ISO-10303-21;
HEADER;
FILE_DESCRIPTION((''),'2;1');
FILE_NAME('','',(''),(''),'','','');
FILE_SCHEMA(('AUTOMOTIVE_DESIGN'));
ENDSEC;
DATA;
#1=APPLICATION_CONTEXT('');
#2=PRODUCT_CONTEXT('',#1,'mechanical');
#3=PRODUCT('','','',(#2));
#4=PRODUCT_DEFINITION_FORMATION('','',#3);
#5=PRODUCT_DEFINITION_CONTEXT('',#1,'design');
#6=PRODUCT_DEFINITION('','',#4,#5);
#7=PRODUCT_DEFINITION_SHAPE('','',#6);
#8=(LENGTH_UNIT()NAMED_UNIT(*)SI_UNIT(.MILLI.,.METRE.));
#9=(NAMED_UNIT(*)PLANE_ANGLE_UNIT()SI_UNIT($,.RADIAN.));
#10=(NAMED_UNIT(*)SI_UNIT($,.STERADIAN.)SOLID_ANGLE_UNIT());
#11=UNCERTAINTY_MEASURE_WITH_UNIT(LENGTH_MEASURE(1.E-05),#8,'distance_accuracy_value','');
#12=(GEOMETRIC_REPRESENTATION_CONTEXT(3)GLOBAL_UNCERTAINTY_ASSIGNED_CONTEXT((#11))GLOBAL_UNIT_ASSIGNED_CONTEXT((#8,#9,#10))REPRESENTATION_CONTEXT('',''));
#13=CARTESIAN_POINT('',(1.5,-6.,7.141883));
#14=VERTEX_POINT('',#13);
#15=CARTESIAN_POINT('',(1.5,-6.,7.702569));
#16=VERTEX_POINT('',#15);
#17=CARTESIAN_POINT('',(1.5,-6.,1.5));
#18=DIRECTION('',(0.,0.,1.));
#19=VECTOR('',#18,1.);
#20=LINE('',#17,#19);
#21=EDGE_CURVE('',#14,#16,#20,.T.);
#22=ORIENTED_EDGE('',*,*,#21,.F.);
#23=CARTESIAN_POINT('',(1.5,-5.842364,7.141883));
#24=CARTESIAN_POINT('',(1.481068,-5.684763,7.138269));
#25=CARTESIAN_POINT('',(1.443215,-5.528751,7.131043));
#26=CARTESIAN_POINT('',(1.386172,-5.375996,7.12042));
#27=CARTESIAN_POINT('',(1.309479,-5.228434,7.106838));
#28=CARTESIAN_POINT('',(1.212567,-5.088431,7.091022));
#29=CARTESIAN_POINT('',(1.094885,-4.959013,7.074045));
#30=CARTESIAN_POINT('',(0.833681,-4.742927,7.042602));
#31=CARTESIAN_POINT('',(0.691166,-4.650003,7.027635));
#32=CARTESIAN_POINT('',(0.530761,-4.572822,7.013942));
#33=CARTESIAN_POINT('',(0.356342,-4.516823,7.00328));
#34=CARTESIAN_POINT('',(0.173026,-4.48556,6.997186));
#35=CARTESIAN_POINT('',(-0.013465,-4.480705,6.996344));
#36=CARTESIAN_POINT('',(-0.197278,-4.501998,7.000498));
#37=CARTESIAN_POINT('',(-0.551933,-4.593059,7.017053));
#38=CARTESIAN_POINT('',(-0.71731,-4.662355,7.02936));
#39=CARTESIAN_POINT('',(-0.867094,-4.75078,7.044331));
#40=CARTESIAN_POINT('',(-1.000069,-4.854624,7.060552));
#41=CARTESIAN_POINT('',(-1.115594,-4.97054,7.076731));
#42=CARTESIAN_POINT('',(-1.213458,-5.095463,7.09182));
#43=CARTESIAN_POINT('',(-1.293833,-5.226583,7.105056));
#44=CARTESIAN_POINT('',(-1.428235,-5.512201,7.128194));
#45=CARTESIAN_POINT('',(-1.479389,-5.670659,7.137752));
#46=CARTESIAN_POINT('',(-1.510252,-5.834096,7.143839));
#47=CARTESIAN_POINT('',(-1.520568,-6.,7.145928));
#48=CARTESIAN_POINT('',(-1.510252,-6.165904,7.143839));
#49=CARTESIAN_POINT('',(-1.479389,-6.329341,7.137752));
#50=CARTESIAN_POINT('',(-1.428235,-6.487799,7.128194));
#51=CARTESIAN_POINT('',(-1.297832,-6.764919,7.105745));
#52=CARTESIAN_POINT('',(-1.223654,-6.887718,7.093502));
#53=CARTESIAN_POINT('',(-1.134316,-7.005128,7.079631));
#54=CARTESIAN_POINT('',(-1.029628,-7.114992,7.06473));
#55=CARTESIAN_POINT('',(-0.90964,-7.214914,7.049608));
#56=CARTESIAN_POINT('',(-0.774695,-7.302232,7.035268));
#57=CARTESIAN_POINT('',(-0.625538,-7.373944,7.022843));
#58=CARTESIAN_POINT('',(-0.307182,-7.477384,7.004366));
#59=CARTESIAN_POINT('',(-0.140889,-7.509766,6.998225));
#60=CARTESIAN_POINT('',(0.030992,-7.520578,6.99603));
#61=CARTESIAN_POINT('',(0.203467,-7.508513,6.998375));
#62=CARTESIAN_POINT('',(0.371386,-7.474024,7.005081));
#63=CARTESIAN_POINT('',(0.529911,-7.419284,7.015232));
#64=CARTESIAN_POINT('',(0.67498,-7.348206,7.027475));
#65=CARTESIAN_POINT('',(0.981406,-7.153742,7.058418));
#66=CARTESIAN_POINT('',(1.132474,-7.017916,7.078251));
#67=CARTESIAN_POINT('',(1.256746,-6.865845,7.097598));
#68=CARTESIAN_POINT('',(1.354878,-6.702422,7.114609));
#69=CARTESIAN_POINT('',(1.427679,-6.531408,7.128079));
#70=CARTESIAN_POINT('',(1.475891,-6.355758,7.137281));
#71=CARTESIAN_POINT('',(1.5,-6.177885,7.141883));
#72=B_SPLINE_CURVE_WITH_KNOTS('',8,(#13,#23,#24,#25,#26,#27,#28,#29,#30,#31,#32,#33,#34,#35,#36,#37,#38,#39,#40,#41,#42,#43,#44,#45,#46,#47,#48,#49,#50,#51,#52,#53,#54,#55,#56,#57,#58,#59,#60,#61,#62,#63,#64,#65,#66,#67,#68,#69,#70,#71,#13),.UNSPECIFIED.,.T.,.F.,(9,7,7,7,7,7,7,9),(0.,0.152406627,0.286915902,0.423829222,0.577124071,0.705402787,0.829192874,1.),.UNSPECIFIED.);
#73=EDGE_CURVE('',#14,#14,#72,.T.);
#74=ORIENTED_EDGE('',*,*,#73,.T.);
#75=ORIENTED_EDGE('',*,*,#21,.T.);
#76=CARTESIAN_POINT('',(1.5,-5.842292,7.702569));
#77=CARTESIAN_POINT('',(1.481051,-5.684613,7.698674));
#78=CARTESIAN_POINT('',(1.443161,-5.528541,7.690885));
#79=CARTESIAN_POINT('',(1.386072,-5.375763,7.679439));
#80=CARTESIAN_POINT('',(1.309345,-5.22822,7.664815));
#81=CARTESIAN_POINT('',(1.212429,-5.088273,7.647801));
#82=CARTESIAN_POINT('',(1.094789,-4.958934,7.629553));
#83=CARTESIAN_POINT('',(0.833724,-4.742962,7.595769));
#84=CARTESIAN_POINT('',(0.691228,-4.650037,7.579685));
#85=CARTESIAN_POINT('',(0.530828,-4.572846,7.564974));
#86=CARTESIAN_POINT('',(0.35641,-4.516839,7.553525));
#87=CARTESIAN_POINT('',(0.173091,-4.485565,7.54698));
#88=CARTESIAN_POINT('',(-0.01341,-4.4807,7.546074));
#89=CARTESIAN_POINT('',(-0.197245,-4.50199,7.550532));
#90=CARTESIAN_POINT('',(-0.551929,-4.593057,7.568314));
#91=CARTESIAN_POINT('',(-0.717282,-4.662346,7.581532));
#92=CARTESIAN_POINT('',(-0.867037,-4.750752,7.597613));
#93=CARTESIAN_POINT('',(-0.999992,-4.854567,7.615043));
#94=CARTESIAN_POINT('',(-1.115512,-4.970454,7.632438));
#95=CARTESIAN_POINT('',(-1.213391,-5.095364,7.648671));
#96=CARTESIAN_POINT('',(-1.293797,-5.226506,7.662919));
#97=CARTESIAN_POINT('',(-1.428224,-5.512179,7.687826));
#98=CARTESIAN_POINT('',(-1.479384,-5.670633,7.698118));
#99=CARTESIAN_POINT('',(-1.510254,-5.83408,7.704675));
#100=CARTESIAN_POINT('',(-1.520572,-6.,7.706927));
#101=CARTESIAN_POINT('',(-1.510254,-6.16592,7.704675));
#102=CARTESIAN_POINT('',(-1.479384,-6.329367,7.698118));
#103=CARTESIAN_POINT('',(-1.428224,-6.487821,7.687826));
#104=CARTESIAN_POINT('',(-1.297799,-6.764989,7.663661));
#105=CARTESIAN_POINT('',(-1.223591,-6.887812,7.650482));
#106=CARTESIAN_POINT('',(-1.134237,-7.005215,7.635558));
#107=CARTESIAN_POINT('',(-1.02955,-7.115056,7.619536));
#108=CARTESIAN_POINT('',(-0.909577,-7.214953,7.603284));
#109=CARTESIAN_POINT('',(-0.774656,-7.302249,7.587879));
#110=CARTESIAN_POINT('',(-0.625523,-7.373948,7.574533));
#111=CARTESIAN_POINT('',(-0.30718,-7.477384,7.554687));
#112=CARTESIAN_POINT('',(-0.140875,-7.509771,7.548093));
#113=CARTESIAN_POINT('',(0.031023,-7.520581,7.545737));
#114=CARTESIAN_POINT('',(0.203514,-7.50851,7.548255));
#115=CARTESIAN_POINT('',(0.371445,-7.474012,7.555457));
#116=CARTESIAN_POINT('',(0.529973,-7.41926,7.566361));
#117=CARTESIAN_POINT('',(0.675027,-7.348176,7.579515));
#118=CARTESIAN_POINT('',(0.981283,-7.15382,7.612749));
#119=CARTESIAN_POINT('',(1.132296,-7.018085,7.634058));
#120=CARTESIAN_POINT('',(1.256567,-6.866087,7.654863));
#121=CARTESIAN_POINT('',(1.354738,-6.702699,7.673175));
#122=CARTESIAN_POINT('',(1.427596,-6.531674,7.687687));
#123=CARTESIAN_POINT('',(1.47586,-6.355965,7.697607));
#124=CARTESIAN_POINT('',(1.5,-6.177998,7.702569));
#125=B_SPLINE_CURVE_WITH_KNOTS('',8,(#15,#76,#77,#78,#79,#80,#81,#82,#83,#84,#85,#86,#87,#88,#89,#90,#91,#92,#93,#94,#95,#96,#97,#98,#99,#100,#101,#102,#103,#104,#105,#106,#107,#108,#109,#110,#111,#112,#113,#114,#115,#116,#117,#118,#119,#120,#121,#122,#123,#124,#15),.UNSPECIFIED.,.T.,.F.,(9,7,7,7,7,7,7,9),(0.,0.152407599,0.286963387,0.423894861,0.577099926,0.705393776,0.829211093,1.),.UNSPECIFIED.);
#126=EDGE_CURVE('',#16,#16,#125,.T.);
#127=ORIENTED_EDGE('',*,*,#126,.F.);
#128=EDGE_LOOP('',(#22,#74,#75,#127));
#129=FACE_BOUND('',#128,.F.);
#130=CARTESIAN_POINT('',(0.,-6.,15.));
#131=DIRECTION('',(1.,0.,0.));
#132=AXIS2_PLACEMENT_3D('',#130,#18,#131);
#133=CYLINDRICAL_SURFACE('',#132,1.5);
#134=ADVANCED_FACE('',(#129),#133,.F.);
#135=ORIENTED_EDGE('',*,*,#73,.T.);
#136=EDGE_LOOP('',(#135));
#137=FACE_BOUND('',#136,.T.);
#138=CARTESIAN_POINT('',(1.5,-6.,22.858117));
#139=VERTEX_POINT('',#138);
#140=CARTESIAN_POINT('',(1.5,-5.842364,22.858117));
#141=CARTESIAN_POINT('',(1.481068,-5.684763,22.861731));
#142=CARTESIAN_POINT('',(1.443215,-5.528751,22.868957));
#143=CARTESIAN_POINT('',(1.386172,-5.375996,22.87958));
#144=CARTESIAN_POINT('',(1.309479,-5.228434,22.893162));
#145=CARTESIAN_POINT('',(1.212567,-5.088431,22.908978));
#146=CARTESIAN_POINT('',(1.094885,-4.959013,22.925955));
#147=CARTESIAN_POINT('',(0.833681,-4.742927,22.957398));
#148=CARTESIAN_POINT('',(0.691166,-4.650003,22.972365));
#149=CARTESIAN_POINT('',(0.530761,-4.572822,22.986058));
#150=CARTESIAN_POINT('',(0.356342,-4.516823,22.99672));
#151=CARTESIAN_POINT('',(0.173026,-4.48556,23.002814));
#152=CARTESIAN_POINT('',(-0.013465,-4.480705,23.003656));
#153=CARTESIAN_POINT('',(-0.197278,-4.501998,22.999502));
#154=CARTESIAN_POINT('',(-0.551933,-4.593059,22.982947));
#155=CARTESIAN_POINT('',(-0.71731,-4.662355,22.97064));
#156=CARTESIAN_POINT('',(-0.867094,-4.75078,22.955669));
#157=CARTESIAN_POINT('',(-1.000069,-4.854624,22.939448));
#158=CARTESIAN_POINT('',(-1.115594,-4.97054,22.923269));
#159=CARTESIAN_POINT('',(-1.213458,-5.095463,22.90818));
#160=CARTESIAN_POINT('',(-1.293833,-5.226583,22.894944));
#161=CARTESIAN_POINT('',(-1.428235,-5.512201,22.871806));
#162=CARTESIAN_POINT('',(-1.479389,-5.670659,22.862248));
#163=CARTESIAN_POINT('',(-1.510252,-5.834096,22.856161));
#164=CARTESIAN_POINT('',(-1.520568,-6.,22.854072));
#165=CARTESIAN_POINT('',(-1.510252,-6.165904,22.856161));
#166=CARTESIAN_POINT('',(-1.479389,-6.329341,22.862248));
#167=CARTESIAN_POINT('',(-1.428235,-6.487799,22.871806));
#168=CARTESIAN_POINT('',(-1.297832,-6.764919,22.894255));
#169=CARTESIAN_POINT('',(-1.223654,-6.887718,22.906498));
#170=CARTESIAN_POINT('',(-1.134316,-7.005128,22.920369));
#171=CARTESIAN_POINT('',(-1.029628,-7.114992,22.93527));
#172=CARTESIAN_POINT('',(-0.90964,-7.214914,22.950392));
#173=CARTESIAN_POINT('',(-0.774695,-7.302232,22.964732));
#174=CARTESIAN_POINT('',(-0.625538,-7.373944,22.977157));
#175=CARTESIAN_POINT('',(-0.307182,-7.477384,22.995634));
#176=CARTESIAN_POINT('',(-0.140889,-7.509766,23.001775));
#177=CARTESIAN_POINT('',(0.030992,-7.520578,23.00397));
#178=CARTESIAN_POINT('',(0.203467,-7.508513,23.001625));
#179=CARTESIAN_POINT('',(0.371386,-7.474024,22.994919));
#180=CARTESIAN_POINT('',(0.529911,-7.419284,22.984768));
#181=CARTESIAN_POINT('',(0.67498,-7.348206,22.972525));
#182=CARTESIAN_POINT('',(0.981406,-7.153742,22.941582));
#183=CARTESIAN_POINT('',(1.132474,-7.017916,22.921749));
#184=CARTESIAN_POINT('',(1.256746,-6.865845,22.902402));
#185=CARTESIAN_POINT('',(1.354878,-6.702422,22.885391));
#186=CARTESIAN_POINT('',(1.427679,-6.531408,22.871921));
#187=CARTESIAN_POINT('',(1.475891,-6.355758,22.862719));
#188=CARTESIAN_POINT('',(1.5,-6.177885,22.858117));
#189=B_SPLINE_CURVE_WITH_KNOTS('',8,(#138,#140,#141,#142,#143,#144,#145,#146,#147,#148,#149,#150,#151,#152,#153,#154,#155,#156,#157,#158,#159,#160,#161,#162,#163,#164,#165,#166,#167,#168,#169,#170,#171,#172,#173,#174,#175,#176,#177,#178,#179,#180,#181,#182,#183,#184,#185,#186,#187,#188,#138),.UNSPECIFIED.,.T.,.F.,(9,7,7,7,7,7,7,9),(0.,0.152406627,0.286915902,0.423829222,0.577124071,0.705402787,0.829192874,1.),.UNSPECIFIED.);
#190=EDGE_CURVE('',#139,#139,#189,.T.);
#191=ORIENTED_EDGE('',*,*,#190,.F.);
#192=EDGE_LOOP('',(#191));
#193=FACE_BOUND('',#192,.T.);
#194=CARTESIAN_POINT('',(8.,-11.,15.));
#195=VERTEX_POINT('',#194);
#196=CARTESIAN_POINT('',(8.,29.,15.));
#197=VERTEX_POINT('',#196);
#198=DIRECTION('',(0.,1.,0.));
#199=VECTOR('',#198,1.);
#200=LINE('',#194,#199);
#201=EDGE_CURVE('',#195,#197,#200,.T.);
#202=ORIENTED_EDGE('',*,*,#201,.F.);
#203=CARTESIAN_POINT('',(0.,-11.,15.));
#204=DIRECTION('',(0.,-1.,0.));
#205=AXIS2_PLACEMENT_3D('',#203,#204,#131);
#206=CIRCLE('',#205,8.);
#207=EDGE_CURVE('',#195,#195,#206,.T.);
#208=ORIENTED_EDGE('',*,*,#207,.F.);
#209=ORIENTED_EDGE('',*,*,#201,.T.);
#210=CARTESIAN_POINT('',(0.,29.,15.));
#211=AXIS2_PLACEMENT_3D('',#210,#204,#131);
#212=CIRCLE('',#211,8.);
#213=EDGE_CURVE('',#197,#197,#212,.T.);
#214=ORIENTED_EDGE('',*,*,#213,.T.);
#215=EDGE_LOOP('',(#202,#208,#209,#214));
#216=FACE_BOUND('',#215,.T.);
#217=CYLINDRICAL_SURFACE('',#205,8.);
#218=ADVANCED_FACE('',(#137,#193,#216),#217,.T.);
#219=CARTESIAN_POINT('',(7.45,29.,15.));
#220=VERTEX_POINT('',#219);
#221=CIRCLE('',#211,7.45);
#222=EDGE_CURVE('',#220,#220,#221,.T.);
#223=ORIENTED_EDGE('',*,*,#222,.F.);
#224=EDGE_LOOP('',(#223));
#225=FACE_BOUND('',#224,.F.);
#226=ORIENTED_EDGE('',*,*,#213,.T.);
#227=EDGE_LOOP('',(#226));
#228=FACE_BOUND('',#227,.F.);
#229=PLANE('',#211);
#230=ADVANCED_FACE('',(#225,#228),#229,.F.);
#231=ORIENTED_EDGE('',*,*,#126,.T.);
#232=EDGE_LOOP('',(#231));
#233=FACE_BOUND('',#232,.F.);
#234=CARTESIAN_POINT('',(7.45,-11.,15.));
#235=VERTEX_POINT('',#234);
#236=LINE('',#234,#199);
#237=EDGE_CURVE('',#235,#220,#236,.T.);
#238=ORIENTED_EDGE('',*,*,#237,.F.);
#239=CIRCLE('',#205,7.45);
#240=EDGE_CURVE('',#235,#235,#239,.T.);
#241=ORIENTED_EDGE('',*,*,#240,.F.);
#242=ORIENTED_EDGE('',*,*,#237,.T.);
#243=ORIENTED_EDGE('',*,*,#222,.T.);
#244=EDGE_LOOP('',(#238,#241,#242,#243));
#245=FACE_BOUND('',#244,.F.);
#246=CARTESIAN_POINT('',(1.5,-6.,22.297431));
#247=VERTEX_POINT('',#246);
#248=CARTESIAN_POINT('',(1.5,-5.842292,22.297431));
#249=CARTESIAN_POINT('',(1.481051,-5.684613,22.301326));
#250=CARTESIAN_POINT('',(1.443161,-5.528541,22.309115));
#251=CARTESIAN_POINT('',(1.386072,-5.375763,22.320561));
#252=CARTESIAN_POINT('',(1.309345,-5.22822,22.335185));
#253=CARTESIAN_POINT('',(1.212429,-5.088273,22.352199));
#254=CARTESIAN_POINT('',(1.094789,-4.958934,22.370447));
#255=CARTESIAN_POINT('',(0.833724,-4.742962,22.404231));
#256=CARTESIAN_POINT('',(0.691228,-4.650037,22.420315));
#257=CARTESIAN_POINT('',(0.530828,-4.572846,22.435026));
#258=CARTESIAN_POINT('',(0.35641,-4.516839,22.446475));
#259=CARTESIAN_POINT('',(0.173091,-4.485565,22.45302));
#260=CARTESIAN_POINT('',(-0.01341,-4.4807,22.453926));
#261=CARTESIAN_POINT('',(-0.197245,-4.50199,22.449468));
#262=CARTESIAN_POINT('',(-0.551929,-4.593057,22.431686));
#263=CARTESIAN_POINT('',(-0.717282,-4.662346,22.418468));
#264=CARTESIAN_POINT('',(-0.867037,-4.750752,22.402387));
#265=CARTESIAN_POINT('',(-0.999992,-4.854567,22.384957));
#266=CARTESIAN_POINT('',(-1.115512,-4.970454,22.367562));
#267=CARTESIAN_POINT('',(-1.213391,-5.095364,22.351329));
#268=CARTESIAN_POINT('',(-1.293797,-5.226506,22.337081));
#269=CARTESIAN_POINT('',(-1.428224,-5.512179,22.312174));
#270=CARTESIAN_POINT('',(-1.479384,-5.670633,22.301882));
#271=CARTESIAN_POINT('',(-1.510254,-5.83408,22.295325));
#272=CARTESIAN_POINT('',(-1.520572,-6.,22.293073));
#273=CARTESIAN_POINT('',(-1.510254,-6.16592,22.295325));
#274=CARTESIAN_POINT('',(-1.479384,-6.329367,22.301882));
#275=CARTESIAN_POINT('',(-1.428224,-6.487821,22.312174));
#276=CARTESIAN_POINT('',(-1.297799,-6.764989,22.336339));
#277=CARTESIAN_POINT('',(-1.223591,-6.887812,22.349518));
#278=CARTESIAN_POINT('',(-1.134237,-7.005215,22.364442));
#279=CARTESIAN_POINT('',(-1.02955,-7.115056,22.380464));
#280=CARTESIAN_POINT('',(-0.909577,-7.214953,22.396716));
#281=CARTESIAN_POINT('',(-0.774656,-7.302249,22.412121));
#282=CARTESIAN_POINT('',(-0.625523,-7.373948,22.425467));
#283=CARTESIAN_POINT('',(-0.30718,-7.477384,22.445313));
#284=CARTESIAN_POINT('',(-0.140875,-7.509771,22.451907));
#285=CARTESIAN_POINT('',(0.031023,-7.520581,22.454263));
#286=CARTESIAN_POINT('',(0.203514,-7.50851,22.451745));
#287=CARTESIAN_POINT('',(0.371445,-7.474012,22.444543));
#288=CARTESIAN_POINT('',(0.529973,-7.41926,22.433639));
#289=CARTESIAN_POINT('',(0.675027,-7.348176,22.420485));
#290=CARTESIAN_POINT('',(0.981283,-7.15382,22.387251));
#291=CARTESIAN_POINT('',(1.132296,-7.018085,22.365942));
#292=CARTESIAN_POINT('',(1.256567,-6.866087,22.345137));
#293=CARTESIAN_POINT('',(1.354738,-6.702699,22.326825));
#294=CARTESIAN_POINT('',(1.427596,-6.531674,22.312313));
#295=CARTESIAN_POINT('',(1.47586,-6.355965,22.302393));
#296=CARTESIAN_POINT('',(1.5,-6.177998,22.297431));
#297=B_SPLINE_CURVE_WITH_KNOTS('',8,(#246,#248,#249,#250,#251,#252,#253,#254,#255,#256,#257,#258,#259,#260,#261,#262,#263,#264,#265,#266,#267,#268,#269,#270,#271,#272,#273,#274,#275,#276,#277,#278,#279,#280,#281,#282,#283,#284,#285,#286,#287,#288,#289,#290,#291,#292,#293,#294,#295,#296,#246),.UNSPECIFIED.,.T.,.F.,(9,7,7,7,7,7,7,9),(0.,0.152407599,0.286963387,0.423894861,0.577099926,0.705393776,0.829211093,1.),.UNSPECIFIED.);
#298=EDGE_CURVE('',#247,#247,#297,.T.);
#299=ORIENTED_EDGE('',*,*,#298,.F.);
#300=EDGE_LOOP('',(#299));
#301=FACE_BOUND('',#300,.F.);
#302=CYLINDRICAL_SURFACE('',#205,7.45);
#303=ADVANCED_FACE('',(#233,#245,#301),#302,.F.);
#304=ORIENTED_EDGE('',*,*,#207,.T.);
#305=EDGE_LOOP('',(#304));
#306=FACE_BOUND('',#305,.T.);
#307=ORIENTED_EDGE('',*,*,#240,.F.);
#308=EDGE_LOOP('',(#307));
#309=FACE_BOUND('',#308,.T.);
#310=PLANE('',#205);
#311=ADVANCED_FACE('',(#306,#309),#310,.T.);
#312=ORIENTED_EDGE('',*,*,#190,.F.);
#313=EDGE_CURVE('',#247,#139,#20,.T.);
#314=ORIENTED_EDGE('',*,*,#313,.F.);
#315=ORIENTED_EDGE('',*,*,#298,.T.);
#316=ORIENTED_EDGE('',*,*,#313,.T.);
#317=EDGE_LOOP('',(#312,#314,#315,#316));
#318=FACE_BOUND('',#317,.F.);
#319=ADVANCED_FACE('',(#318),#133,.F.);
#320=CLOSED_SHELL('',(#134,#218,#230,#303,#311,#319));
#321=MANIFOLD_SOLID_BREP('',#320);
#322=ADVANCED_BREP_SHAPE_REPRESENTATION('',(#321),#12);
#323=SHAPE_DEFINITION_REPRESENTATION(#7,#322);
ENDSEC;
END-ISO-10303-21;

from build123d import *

# Parameters (mm, degrees)
SKETCH003_R     = 8
PAD003_DEPTH    = 40
SKETCH004_R     = 1.5
POCKET_DEPTH    = 13.5
SKETCH005_R     = 7.45
POCKET001_DEPTH = 40.001


with BuildPart() as part:
    # Sketch003 → Pad003 (new body)
    with BuildSketch(Plane.XZ):
        with Locations((0, 15)):
            Circle(SKETCH003_R)
    extrude(amount=-PAD003_DEPTH)

    # Sketch004 (on DatumPlane) → Pocket (cut, symmetric)
    with BuildSketch(Plane.XY.offset(15)):
        with Locations((0, 5)):
            Circle(SKETCH004_R)
    extrude(amount=POCKET_DEPTH, both=True, mode=Mode.SUBTRACT)

    # Sketch005 → Pocket001 (cut, through all)
    with BuildSketch(Plane.XZ):
        with Locations((0, 15)):
            Circle(SKETCH005_R)
    extrude(amount=-POCKET001_DEPTH, mode=Mode.SUBTRACT)


with BuildPart() as part_1:
    # Body003 placement: moved
    add(part.part.moved(Location((0, -11, 0))))


solid = part_1.part
